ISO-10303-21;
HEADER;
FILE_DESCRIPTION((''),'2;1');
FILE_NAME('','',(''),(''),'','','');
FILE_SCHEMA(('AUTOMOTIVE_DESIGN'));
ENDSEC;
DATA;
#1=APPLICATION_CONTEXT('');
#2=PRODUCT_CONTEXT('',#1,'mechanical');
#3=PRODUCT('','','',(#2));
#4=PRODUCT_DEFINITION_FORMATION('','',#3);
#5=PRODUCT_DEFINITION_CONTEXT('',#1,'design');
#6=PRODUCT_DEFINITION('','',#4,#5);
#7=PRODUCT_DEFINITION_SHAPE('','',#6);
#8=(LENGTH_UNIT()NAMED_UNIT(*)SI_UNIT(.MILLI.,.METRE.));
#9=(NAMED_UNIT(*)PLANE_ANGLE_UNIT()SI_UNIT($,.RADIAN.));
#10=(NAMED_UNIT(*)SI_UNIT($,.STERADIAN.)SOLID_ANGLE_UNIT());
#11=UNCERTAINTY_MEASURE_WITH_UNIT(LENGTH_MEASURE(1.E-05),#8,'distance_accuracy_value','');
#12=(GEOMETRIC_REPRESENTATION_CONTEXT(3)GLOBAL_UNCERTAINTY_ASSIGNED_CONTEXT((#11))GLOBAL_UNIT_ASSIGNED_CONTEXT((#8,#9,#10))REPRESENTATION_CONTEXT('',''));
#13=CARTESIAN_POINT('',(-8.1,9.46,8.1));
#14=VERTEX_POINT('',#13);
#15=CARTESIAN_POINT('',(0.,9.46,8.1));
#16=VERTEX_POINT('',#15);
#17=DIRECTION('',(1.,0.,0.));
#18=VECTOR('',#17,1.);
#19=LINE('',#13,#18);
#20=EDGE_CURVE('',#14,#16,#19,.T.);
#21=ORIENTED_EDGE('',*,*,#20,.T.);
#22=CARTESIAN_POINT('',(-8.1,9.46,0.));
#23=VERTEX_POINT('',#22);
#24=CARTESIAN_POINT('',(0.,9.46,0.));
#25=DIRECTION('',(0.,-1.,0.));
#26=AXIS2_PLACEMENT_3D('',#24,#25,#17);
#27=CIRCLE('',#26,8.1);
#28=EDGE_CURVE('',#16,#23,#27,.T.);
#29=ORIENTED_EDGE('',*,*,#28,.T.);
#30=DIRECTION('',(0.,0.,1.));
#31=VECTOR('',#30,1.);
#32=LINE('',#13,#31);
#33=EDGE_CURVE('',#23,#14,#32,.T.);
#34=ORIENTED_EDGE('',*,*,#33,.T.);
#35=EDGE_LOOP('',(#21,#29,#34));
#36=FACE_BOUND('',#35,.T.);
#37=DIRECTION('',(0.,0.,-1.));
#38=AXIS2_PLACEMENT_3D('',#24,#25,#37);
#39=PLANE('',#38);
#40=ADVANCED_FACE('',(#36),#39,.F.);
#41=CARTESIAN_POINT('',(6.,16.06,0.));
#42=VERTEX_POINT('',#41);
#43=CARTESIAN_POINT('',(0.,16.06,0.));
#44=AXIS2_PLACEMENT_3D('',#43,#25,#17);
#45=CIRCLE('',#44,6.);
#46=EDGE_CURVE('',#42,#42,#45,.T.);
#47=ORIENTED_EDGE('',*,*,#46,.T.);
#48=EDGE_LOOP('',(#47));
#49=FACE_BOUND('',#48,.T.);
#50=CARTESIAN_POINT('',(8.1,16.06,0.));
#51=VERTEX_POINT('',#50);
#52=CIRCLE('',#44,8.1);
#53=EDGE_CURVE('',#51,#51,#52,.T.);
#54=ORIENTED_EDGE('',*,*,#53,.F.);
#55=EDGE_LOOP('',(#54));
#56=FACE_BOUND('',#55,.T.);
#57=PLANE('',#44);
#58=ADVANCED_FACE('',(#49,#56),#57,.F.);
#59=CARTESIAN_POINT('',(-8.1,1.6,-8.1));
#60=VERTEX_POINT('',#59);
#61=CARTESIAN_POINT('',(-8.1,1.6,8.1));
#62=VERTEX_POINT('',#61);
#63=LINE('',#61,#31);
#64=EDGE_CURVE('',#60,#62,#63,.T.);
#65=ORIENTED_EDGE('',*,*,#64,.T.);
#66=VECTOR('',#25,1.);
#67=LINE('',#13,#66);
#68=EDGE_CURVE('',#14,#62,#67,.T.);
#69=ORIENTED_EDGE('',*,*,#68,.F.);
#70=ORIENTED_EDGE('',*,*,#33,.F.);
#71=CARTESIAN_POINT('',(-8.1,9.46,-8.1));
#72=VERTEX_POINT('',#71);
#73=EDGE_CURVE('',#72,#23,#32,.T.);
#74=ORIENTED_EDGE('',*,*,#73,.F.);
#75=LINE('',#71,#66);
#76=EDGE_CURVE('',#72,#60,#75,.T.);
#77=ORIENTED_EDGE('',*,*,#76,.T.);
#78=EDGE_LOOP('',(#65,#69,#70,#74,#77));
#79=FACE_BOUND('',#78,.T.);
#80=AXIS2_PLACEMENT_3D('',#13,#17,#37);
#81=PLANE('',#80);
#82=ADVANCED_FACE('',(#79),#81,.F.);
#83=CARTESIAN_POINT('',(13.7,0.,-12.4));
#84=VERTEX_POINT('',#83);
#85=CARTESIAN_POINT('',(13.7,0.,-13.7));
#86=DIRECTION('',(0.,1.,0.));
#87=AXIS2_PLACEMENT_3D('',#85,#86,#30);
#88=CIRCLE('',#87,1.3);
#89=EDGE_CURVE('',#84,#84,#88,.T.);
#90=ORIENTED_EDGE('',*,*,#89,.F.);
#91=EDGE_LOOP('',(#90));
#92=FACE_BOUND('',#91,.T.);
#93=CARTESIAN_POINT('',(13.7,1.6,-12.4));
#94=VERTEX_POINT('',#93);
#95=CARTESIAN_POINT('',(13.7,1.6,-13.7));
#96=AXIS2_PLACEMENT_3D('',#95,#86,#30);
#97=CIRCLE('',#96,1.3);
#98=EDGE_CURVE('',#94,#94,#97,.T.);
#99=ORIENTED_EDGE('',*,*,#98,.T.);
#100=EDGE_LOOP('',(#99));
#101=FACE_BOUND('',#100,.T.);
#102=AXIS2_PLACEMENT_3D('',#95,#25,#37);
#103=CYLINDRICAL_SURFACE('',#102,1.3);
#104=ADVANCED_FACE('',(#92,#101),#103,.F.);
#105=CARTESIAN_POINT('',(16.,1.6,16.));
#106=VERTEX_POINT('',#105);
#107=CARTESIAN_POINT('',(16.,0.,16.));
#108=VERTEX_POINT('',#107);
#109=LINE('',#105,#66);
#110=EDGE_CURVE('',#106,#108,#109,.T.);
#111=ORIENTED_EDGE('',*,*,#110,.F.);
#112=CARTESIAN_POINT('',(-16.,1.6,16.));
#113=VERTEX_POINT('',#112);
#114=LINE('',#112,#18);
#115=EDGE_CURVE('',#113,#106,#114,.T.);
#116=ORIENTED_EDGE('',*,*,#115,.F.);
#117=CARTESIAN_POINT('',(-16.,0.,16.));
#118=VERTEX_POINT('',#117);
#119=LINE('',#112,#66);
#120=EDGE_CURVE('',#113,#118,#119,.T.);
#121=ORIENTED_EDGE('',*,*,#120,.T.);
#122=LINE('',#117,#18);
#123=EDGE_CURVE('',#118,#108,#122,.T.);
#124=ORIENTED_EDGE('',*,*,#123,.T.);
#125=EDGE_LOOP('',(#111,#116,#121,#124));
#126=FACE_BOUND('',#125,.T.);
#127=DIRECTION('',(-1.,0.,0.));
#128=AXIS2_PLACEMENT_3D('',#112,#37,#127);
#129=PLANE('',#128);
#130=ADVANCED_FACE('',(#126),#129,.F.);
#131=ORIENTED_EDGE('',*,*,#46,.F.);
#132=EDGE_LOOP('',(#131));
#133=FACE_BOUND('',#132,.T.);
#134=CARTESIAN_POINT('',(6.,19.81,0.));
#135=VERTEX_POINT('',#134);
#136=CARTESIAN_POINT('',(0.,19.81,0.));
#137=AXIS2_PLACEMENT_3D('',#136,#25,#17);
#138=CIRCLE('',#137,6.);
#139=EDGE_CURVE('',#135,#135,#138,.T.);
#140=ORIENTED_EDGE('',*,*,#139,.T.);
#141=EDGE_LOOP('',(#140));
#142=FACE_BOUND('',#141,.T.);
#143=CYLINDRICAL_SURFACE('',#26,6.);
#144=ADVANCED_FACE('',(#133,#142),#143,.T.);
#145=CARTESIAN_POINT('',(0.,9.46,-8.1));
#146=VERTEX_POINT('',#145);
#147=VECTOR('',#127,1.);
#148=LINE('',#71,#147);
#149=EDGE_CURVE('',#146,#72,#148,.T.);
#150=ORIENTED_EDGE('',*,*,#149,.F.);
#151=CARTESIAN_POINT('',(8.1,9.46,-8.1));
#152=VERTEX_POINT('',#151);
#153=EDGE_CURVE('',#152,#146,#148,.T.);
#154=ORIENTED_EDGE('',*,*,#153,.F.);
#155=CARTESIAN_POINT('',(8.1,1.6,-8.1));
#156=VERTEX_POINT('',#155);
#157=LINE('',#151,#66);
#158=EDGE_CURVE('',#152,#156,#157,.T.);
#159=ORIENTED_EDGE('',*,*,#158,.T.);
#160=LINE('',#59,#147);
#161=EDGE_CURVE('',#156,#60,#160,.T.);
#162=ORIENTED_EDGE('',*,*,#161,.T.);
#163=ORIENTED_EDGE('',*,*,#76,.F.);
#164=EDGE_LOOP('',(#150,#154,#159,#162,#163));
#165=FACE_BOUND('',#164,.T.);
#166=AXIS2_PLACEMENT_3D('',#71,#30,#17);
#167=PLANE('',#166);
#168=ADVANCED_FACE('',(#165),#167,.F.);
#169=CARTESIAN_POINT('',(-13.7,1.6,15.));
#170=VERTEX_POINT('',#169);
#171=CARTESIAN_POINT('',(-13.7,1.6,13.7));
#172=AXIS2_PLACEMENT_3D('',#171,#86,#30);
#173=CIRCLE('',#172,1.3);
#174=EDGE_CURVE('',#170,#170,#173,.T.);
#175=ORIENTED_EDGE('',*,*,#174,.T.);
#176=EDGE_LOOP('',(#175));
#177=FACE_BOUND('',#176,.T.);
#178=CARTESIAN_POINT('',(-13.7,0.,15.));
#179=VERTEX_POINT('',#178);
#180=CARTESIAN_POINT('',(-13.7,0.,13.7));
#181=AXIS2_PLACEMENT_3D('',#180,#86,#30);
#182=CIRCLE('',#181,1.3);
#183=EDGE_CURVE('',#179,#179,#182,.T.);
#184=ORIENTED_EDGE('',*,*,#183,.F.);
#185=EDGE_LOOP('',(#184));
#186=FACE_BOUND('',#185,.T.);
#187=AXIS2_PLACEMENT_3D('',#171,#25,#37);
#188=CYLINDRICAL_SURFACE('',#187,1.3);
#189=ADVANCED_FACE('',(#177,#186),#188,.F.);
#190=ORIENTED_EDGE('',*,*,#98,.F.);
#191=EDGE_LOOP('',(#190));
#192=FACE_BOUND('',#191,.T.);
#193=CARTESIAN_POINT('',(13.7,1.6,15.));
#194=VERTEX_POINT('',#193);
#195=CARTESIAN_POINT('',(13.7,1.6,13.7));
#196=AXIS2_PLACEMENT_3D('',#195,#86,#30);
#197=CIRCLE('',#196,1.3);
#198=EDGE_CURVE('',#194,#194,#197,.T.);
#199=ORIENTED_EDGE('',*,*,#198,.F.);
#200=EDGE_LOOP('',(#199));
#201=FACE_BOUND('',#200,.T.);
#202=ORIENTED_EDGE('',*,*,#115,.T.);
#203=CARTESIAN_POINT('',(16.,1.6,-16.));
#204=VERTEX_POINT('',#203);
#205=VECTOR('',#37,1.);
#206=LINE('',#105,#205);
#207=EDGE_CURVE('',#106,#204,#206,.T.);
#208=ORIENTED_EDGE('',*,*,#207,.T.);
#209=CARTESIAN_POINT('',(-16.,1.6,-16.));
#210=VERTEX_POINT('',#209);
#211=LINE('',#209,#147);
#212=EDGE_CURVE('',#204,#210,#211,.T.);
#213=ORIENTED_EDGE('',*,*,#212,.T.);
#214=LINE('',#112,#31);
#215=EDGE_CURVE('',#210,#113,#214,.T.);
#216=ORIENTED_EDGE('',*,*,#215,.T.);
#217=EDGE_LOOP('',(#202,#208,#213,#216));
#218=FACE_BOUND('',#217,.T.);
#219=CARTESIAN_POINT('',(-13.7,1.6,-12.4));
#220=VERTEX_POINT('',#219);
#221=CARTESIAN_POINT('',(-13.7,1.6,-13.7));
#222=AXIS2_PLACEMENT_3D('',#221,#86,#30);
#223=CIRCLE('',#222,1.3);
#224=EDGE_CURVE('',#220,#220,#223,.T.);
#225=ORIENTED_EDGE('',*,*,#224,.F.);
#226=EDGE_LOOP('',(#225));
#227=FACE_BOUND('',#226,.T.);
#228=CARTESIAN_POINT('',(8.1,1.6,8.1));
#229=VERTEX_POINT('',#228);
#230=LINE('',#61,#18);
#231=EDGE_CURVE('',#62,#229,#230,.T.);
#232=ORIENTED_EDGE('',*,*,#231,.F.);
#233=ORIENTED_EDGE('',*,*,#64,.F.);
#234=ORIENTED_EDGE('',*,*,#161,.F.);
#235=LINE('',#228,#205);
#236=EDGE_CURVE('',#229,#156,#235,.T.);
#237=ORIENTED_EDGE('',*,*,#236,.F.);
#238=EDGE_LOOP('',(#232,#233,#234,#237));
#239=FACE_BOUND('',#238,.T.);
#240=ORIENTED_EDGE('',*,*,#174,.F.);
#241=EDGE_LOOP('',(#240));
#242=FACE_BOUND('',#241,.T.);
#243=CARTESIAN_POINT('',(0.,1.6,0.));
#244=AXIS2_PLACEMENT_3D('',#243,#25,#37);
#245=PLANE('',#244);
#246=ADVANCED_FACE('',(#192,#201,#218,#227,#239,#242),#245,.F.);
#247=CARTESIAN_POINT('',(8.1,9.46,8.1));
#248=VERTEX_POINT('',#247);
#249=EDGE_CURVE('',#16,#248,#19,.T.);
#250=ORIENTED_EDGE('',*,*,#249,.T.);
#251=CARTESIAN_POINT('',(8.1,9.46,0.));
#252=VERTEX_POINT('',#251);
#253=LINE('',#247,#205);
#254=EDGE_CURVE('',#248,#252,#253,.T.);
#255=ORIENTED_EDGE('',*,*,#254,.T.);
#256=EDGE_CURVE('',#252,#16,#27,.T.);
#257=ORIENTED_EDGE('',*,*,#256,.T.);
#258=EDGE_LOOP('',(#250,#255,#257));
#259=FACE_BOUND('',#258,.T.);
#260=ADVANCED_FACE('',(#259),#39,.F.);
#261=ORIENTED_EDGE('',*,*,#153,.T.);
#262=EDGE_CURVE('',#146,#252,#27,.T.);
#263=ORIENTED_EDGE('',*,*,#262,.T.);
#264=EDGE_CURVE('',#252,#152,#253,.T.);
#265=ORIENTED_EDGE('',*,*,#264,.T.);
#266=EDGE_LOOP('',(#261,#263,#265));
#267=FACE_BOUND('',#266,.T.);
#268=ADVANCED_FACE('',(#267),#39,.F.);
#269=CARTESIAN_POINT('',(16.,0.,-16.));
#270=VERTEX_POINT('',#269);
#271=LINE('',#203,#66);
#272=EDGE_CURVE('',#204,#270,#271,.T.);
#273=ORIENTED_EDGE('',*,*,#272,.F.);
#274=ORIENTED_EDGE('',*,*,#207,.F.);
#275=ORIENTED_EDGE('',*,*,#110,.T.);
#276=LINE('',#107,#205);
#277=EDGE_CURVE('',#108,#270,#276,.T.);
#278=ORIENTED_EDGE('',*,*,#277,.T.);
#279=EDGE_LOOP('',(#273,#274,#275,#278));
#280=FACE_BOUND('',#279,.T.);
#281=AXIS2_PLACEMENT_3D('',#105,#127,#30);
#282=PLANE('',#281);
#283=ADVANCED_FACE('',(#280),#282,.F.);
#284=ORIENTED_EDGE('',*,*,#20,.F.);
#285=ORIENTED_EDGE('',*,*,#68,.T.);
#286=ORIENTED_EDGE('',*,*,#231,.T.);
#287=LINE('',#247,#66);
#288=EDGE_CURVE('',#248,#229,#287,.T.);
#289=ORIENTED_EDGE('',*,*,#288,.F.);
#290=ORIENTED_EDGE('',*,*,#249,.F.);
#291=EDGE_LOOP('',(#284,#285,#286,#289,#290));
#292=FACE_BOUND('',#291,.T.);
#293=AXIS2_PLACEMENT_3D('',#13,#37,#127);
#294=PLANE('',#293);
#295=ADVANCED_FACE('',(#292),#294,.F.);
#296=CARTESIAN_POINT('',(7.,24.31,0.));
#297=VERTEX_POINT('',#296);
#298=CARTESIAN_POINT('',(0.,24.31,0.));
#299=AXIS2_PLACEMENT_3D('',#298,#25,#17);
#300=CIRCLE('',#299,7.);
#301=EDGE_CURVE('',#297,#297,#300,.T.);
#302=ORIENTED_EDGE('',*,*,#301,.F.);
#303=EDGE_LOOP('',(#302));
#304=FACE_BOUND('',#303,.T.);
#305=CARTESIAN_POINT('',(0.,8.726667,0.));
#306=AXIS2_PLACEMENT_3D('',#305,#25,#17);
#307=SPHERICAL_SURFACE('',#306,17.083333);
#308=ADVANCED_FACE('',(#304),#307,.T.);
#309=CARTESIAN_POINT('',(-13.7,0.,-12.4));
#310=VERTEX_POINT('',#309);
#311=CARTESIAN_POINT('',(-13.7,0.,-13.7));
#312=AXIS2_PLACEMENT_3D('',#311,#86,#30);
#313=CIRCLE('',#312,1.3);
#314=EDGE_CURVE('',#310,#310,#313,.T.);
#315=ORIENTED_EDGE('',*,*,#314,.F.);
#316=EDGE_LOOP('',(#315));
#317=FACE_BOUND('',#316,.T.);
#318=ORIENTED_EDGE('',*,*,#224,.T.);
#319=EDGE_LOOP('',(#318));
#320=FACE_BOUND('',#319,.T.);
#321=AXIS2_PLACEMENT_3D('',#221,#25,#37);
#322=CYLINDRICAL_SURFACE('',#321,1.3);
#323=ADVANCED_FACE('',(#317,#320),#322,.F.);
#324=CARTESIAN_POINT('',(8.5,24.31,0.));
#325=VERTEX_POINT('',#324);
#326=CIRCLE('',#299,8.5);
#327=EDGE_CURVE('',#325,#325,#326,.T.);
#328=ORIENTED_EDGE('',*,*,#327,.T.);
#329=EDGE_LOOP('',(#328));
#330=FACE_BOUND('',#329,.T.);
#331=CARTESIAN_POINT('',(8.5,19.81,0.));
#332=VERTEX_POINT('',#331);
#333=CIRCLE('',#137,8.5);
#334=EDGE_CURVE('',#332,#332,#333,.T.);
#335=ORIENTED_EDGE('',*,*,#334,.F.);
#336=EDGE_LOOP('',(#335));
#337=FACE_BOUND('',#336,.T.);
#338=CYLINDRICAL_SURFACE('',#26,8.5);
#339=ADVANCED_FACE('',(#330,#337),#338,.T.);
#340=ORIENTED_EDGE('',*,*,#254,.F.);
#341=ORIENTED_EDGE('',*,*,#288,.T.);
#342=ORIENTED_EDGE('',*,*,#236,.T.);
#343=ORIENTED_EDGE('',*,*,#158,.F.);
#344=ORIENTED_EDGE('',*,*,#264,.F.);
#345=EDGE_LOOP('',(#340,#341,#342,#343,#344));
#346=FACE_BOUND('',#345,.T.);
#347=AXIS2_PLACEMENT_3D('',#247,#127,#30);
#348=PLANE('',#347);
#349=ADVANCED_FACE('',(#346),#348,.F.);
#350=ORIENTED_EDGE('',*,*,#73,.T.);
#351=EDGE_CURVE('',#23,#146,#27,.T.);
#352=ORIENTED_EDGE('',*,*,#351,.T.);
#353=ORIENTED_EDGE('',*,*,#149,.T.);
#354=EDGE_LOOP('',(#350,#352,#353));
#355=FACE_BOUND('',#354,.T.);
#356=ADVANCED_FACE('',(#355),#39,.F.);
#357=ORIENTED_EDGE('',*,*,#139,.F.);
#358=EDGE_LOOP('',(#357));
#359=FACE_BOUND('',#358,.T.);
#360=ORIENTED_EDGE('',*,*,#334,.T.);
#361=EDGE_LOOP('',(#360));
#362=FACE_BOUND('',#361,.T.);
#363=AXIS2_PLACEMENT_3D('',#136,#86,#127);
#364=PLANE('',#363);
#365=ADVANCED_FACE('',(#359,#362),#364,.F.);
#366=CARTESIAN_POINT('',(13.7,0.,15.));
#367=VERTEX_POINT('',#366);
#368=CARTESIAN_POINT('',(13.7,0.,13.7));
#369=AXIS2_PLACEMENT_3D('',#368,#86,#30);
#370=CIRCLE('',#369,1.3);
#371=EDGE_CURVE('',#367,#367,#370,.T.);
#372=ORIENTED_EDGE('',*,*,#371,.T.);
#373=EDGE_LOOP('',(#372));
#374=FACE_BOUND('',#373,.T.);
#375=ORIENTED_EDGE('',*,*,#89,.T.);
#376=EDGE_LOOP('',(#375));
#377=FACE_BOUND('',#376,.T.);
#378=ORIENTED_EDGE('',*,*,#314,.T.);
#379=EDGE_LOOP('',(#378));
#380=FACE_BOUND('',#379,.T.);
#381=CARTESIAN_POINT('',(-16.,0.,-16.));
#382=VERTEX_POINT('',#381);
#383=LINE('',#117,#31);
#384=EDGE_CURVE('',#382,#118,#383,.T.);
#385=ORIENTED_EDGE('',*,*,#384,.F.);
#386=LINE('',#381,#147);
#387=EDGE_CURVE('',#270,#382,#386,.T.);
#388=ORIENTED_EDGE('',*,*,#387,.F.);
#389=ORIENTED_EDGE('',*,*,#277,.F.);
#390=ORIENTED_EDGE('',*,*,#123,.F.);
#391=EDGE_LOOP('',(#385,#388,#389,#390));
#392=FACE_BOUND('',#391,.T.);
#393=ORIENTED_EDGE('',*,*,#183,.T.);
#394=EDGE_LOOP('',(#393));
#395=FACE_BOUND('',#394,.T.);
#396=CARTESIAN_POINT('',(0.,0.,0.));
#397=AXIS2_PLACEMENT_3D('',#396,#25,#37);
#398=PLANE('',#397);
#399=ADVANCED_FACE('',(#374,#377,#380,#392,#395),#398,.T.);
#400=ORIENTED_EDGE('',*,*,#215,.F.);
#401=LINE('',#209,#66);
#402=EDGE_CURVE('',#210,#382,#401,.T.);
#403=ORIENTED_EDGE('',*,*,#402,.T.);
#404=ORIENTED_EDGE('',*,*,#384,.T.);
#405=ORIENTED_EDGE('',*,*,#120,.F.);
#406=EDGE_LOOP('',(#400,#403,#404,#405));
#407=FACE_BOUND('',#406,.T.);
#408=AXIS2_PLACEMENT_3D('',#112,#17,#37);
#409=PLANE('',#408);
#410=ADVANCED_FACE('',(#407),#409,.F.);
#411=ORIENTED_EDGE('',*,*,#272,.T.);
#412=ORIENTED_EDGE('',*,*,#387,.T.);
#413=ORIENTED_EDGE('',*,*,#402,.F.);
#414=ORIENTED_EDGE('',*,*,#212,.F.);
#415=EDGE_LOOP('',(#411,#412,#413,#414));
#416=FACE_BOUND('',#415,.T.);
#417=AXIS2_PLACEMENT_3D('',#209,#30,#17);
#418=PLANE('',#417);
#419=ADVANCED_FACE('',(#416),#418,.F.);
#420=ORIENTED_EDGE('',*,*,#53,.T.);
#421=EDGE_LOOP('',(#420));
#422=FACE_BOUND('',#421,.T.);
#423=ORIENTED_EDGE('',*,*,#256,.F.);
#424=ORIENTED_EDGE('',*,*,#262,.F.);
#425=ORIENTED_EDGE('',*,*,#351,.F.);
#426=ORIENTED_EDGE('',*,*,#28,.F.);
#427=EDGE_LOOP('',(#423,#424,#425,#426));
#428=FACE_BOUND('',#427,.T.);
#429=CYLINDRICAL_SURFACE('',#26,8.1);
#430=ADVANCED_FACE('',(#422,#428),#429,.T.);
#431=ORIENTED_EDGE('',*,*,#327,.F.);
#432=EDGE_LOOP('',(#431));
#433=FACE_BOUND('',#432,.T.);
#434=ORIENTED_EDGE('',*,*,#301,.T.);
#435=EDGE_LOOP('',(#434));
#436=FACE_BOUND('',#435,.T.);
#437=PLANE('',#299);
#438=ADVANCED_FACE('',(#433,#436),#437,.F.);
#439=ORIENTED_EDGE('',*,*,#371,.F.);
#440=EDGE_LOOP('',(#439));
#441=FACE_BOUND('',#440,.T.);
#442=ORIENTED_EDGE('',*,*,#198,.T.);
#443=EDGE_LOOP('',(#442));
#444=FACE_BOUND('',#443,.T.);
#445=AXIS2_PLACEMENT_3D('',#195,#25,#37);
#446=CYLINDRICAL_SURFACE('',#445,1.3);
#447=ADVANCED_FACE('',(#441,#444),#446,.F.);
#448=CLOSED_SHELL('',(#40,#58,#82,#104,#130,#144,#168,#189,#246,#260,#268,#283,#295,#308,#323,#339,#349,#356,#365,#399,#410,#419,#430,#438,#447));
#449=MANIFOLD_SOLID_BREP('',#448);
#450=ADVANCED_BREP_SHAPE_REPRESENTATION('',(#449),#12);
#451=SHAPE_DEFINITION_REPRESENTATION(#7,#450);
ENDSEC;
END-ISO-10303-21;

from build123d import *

# Parameters (mm, degrees)
SKETCH1_W           = 32
SKETCH1_H           = 32
SKETCH1_R           = 1.3
BOSS_EXTRUDE1_DEPTH = 1.6
SKETCH2_W           = 16.2
SKETCH2_H           = 16.2
BOSS_EXTRUDE2_DEPTH = 7.86


with BuildPart() as part:
    # Sketch1 → Boss-Extrude1 (new body)
    with BuildSketch(Plane(origin=(0, 0, 0), x_dir=(1, 0, 0), z_dir=(0, 1, 0))):
        Rectangle(SKETCH1_W, SKETCH1_H)
        with Locations((-13.7, 13.7)):
            Circle(SKETCH1_R, mode=Mode.SUBTRACT)
        with Locations((13.7, 13.7)):
            Circle(SKETCH1_R, mode=Mode.SUBTRACT)
        with Locations((13.7, -13.7)):
            Circle(SKETCH1_R, mode=Mode.SUBTRACT)
        with Locations((-13.7, -13.7)):
            Circle(SKETCH1_R, mode=Mode.SUBTRACT)
    extrude(amount=BOSS_EXTRUDE1_DEPTH)

    # Sketch2 → Boss-Extrude2 (add)
    with BuildSketch(Plane(origin=(0, 1.6, 0), x_dir=(1, 0, 0), z_dir=(0, 1, 0))):
        Rectangle(SKETCH2_W, SKETCH2_H)
    extrude(amount=BOSS_EXTRUDE2_DEPTH)

    # Sketch4 → Revolve3 (revolve)
    with BuildSketch(Plane.XY):
        Polygon((0, 9.46), (0, 24.31), (8.5, 24.31), (8.5, 19.81), (6, 19.81), (6, 16.06), (8.1, 16.06), (8.1, 9.46), align=None)
        with BuildLine():
            Line((0, 25.81), (0, 24.31))
            Line((0, 24.31), (7, 24.31))
            ThreePointArc((7, 24.31), (3.579455266, 25.43079124), (0, 25.81))
        make_face()
    revolve(axis=Axis((0, 9.46, 0), (0, 1, 0)))


solid = part.part
